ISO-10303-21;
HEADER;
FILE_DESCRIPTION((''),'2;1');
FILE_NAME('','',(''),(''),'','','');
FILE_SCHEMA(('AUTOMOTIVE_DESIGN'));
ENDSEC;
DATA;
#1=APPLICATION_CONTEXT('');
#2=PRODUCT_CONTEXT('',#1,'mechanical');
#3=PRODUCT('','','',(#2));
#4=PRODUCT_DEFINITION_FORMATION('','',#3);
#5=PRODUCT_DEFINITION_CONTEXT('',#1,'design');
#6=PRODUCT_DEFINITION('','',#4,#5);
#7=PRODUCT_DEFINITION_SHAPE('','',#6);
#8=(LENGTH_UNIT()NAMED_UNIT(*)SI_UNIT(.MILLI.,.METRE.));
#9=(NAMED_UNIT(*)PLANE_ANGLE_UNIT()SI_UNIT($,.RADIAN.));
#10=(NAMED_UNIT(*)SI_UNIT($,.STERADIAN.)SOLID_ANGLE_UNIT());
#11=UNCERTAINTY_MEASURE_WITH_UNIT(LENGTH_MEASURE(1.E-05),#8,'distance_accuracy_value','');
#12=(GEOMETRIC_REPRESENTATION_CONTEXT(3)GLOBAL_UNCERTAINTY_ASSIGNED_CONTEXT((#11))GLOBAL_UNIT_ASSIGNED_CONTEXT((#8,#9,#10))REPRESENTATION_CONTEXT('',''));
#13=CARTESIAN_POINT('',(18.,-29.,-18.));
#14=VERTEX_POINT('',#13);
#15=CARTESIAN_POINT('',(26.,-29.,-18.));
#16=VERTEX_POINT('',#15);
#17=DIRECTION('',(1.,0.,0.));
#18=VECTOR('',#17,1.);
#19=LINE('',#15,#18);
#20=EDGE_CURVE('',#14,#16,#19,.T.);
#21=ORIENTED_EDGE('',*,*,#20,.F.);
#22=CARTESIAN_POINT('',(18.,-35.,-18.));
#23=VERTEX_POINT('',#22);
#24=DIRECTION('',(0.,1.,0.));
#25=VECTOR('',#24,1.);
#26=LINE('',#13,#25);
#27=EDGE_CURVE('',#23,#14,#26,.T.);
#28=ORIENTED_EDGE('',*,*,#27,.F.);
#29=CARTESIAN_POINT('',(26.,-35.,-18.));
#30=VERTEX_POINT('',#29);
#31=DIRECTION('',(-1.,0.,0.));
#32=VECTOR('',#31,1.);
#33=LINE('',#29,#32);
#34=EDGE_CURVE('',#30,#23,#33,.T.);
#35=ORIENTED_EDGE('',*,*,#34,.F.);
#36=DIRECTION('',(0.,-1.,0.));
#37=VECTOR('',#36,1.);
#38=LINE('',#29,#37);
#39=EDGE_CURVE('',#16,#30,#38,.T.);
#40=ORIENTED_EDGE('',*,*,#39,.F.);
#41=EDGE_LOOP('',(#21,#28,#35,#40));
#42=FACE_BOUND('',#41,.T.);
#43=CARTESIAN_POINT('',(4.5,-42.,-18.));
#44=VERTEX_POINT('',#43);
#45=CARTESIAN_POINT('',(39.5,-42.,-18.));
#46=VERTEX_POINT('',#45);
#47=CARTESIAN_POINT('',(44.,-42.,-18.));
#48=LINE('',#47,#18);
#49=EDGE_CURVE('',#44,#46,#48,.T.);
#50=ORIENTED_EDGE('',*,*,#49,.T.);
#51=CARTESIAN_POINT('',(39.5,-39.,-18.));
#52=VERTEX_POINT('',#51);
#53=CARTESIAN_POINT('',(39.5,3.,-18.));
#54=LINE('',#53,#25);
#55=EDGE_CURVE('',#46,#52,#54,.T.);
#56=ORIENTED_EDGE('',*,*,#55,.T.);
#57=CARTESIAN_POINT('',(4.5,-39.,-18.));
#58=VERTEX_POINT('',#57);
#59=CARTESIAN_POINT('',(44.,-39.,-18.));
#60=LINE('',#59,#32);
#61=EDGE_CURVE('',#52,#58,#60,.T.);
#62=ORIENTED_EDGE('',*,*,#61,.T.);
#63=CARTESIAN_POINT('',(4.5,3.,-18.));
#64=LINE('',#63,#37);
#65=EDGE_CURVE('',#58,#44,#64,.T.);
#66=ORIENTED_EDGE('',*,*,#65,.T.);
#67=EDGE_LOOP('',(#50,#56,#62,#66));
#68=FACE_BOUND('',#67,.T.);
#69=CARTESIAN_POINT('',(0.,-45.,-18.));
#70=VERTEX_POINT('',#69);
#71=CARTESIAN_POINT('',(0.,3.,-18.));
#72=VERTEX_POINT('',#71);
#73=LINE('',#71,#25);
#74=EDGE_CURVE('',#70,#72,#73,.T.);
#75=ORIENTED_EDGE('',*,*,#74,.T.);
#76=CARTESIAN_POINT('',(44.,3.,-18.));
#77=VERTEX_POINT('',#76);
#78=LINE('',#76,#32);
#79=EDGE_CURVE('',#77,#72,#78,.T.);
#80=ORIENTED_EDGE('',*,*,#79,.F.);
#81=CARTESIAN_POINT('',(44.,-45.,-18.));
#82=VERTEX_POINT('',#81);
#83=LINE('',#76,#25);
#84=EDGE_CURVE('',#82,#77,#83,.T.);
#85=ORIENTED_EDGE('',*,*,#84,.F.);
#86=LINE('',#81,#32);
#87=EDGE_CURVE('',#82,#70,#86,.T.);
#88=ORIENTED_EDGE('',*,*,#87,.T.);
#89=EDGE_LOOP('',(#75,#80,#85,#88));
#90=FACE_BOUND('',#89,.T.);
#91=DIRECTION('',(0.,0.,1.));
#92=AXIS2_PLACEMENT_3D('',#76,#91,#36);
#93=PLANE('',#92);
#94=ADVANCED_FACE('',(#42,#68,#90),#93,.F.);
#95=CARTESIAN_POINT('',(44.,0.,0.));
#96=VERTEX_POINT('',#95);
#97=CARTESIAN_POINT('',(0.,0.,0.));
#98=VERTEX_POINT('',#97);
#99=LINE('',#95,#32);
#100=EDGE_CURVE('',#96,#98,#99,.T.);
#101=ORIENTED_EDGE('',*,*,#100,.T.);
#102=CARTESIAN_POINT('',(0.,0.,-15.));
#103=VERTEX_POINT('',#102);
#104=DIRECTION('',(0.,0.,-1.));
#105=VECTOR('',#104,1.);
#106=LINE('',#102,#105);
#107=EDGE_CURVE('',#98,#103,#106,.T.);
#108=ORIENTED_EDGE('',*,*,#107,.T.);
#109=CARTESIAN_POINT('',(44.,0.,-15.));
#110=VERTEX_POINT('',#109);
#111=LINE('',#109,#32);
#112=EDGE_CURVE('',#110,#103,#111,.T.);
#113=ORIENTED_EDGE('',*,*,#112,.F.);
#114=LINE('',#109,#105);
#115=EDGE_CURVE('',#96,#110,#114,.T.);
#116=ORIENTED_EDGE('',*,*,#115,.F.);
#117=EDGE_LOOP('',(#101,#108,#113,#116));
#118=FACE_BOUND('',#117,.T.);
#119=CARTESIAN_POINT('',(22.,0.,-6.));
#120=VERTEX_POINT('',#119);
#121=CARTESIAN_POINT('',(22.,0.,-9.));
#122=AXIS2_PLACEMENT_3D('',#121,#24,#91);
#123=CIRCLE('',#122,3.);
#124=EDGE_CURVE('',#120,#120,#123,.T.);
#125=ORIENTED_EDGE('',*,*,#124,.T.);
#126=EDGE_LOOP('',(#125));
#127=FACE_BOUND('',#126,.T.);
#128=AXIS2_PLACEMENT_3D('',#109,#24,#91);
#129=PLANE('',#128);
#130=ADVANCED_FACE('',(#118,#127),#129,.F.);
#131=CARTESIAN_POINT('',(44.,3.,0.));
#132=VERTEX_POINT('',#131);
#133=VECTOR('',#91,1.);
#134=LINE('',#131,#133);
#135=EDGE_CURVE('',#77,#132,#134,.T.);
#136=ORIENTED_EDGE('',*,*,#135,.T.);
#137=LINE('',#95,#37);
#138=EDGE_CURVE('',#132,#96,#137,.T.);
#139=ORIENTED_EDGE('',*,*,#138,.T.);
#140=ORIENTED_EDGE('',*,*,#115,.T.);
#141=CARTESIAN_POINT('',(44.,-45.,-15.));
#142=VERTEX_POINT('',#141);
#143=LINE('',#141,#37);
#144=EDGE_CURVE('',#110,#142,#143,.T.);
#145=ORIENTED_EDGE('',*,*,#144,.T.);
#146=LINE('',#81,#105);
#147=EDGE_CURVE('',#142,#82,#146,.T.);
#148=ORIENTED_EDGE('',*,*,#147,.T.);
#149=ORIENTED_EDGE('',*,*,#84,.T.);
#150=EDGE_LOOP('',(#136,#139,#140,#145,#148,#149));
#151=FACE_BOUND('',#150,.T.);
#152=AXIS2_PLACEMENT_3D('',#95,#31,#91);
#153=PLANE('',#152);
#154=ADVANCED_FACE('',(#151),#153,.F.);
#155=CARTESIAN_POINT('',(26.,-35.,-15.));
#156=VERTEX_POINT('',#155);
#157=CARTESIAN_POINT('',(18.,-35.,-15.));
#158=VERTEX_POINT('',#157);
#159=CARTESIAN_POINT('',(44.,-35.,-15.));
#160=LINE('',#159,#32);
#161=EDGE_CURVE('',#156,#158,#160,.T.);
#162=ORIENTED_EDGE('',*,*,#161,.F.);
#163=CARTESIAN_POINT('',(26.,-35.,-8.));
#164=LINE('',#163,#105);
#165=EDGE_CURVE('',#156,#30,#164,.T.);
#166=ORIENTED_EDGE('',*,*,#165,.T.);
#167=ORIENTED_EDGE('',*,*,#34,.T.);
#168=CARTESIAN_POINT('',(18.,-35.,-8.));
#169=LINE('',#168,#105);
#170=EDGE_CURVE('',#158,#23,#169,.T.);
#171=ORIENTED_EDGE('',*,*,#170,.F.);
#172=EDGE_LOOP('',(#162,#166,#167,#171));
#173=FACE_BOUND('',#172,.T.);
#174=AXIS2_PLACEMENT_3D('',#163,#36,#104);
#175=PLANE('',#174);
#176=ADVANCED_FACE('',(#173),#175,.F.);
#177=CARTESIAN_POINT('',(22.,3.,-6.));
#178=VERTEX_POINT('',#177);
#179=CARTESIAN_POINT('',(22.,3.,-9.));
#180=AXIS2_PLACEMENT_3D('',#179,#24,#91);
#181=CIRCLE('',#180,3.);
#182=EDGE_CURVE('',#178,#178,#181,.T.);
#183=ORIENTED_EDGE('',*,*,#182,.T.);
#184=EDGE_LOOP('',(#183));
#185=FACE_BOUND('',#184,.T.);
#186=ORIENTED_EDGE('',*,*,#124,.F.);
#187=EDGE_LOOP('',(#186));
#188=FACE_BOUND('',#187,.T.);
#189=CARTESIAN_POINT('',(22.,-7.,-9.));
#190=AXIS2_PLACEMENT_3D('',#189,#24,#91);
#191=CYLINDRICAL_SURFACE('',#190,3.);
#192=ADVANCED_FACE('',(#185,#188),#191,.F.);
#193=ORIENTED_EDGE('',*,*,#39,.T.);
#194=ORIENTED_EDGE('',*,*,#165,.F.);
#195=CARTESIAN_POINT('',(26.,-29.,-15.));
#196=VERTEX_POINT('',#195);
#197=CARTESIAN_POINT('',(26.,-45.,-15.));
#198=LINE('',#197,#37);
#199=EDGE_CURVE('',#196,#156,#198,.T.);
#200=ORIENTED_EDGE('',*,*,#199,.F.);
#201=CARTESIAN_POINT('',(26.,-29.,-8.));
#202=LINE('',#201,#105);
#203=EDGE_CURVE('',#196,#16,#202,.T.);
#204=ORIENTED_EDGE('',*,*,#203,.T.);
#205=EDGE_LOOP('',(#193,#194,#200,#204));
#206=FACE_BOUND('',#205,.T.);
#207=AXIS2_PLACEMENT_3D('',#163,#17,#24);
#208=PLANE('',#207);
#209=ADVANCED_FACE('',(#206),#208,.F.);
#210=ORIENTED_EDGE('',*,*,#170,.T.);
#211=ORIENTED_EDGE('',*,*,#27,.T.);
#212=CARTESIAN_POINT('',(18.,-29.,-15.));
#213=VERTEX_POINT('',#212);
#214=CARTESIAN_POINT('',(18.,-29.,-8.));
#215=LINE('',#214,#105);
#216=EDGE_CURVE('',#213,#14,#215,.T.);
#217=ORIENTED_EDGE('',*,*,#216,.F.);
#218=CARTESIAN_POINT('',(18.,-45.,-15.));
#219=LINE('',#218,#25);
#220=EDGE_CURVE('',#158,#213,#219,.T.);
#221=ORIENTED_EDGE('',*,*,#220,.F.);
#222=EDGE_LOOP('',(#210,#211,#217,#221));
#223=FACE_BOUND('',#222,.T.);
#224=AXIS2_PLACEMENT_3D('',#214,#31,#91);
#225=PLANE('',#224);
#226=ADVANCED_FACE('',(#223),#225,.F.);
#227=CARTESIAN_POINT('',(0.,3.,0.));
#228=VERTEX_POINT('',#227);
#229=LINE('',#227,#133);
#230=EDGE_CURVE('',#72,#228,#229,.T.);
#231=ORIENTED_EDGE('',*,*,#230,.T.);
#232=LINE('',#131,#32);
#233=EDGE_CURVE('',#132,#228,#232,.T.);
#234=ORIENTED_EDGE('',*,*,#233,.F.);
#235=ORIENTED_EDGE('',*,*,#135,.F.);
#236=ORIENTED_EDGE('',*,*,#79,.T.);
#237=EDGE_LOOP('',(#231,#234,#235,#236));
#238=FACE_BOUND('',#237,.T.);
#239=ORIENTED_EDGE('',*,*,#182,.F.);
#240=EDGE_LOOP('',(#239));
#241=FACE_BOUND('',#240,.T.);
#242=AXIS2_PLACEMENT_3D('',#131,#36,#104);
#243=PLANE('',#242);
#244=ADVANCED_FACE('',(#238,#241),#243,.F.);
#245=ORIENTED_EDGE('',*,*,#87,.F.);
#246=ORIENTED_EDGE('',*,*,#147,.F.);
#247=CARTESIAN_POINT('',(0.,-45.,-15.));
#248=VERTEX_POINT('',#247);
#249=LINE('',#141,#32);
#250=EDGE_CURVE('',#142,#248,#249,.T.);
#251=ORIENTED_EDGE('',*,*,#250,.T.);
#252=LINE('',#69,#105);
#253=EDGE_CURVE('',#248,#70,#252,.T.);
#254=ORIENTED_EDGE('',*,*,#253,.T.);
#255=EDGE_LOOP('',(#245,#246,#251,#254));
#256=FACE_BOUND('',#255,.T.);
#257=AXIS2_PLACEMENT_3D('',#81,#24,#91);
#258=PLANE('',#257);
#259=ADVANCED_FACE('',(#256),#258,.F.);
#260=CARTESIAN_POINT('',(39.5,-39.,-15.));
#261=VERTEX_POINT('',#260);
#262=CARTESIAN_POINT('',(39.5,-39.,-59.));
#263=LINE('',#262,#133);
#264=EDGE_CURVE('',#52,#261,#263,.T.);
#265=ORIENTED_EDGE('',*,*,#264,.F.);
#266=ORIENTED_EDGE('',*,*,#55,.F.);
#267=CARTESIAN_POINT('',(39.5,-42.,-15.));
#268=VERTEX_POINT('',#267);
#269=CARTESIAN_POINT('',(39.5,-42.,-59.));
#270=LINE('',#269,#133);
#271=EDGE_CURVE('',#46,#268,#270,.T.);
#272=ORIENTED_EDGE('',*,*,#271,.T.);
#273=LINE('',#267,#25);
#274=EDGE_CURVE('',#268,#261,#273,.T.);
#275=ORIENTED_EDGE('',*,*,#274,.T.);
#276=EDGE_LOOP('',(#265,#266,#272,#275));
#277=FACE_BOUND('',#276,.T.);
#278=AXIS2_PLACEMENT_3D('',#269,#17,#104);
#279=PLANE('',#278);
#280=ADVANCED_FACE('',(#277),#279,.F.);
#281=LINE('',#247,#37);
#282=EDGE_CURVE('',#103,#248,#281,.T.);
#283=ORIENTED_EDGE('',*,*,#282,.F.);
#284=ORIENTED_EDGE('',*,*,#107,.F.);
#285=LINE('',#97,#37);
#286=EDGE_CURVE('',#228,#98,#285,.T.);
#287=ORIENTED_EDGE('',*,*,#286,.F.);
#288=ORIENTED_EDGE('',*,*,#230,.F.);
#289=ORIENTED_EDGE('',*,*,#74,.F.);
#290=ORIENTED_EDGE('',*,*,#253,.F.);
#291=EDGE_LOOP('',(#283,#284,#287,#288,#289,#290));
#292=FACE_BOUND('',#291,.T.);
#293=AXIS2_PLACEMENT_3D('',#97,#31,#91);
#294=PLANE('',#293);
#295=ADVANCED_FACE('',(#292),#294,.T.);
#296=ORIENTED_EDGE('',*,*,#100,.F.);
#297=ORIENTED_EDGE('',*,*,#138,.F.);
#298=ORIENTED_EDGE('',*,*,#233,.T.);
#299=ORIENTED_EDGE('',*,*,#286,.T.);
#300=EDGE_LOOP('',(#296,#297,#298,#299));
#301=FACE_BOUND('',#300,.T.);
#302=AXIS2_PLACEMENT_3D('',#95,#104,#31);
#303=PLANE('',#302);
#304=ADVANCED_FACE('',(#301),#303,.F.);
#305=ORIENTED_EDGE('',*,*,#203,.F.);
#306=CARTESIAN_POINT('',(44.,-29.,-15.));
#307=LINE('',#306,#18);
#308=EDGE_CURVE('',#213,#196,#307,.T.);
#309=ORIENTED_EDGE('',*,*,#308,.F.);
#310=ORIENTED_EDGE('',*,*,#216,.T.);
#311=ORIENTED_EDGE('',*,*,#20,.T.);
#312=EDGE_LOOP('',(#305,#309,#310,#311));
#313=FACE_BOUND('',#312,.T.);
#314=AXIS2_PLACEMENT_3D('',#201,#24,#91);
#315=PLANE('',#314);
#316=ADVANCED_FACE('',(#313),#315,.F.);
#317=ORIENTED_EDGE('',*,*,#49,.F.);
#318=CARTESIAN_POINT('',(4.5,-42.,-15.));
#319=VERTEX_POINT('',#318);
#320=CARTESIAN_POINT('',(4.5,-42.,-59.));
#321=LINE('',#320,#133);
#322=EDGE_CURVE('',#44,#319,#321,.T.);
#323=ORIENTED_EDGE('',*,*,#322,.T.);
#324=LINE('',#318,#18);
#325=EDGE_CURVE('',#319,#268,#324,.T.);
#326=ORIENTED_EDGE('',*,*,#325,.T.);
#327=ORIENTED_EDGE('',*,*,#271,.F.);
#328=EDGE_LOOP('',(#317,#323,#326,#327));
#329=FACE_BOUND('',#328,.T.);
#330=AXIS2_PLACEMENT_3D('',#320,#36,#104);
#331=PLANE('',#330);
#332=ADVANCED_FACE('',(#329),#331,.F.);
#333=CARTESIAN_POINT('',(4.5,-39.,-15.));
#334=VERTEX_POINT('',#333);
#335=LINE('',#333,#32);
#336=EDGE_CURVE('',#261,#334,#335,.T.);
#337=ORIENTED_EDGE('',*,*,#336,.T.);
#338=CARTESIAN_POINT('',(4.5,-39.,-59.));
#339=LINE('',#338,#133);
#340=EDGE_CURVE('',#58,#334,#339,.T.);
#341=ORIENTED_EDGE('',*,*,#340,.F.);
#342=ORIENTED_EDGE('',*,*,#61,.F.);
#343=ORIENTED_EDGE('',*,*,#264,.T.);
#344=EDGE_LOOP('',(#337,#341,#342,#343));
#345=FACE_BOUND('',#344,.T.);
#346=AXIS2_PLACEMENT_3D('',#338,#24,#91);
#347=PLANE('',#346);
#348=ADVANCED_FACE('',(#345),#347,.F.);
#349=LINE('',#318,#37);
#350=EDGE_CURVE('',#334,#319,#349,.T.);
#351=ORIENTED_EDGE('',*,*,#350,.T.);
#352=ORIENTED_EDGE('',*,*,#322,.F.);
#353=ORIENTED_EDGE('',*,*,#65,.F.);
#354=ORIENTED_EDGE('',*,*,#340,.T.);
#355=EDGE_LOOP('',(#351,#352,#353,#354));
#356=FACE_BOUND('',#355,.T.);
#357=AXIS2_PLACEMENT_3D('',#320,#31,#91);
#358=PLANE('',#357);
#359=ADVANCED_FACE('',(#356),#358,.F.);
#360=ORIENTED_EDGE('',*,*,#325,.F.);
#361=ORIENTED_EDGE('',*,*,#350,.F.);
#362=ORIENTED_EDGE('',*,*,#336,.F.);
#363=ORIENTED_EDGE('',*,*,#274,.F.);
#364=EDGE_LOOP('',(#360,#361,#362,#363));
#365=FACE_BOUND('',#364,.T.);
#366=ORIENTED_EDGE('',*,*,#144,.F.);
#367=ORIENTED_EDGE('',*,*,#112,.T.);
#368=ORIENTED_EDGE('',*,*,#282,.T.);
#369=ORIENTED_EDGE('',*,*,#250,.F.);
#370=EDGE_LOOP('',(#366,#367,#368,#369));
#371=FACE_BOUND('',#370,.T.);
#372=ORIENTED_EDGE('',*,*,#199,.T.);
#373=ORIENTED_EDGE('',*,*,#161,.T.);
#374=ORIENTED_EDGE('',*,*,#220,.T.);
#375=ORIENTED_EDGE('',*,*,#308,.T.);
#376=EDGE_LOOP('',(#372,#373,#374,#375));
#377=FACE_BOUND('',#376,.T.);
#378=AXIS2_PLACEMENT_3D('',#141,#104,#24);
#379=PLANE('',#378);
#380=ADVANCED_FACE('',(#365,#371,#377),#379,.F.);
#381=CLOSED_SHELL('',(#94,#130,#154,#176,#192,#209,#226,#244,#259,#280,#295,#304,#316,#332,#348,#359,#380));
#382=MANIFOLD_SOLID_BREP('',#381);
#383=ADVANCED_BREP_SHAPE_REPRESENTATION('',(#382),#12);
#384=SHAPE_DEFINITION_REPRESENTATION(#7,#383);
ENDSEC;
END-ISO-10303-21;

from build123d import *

# Parameters (mm, degrees)
ESTRUSIONE_ESTRUSIONE6_DEPTH = 44
SCHIZZO9_W                   = 35
SCHIZZO9_H                   = 3
TAGLIO_ESTRUSIONE2_DEPTH     = 44
SCHIZZO10_R                  = 3
TAGLIO_ESTRUSIONE3_DEPTH     = 10
SCHIZZO11_W                  = 8
SCHIZZO11_H                  = 6
TAGLIO_ESTRUSIONE4_DEPTH     = 10


with BuildPart() as part:
    # Schizzo8 → Estrusione-Estrusione6 (new body)
    with BuildSketch(Plane(origin=(0, 0, 0), x_dir=(0, 0, -1), z_dir=(1, 0, 0))):
        Polygon((0, 0), (0, 3), (18, 3), (18, -45), (15, -45), (15, 0), align=None)
    extrude(amount=ESTRUSIONE_ESTRUSIONE6_DEPTH)

    # Schizzo9 → Taglio-Estrusione2 (cut)
    with BuildSketch(Plane.XY.offset(-15)):
        with Locations((22, -40.5)):
            Rectangle(SCHIZZO9_W, SCHIZZO9_H)
    extrude(amount=-TAGLIO_ESTRUSIONE2_DEPTH, mode=Mode.SUBTRACT)

    # Schizzo10 → Taglio-Estrusione3 (cut)
    with BuildSketch(Plane(origin=(0, 3, 0), x_dir=(1, 0, 0), z_dir=(0, 1, 0))):
        with Locations((22, 9)):
            Circle(SCHIZZO10_R)
    extrude(amount=-TAGLIO_ESTRUSIONE3_DEPTH, mode=Mode.SUBTRACT)

    # Schizzo11 → Taglio-Estrusione4 (cut)
    with BuildSketch(Plane(origin=(0, 0, -18), x_dir=(-1, 0, 0), z_dir=(0, 0, -1))):
        with Locations((-22, -32)):
            Rectangle(SCHIZZO11_W, SCHIZZO11_H)
    extrude(amount=-TAGLIO_ESTRUSIONE4_DEPTH, mode=Mode.SUBTRACT)


solid = part.part
